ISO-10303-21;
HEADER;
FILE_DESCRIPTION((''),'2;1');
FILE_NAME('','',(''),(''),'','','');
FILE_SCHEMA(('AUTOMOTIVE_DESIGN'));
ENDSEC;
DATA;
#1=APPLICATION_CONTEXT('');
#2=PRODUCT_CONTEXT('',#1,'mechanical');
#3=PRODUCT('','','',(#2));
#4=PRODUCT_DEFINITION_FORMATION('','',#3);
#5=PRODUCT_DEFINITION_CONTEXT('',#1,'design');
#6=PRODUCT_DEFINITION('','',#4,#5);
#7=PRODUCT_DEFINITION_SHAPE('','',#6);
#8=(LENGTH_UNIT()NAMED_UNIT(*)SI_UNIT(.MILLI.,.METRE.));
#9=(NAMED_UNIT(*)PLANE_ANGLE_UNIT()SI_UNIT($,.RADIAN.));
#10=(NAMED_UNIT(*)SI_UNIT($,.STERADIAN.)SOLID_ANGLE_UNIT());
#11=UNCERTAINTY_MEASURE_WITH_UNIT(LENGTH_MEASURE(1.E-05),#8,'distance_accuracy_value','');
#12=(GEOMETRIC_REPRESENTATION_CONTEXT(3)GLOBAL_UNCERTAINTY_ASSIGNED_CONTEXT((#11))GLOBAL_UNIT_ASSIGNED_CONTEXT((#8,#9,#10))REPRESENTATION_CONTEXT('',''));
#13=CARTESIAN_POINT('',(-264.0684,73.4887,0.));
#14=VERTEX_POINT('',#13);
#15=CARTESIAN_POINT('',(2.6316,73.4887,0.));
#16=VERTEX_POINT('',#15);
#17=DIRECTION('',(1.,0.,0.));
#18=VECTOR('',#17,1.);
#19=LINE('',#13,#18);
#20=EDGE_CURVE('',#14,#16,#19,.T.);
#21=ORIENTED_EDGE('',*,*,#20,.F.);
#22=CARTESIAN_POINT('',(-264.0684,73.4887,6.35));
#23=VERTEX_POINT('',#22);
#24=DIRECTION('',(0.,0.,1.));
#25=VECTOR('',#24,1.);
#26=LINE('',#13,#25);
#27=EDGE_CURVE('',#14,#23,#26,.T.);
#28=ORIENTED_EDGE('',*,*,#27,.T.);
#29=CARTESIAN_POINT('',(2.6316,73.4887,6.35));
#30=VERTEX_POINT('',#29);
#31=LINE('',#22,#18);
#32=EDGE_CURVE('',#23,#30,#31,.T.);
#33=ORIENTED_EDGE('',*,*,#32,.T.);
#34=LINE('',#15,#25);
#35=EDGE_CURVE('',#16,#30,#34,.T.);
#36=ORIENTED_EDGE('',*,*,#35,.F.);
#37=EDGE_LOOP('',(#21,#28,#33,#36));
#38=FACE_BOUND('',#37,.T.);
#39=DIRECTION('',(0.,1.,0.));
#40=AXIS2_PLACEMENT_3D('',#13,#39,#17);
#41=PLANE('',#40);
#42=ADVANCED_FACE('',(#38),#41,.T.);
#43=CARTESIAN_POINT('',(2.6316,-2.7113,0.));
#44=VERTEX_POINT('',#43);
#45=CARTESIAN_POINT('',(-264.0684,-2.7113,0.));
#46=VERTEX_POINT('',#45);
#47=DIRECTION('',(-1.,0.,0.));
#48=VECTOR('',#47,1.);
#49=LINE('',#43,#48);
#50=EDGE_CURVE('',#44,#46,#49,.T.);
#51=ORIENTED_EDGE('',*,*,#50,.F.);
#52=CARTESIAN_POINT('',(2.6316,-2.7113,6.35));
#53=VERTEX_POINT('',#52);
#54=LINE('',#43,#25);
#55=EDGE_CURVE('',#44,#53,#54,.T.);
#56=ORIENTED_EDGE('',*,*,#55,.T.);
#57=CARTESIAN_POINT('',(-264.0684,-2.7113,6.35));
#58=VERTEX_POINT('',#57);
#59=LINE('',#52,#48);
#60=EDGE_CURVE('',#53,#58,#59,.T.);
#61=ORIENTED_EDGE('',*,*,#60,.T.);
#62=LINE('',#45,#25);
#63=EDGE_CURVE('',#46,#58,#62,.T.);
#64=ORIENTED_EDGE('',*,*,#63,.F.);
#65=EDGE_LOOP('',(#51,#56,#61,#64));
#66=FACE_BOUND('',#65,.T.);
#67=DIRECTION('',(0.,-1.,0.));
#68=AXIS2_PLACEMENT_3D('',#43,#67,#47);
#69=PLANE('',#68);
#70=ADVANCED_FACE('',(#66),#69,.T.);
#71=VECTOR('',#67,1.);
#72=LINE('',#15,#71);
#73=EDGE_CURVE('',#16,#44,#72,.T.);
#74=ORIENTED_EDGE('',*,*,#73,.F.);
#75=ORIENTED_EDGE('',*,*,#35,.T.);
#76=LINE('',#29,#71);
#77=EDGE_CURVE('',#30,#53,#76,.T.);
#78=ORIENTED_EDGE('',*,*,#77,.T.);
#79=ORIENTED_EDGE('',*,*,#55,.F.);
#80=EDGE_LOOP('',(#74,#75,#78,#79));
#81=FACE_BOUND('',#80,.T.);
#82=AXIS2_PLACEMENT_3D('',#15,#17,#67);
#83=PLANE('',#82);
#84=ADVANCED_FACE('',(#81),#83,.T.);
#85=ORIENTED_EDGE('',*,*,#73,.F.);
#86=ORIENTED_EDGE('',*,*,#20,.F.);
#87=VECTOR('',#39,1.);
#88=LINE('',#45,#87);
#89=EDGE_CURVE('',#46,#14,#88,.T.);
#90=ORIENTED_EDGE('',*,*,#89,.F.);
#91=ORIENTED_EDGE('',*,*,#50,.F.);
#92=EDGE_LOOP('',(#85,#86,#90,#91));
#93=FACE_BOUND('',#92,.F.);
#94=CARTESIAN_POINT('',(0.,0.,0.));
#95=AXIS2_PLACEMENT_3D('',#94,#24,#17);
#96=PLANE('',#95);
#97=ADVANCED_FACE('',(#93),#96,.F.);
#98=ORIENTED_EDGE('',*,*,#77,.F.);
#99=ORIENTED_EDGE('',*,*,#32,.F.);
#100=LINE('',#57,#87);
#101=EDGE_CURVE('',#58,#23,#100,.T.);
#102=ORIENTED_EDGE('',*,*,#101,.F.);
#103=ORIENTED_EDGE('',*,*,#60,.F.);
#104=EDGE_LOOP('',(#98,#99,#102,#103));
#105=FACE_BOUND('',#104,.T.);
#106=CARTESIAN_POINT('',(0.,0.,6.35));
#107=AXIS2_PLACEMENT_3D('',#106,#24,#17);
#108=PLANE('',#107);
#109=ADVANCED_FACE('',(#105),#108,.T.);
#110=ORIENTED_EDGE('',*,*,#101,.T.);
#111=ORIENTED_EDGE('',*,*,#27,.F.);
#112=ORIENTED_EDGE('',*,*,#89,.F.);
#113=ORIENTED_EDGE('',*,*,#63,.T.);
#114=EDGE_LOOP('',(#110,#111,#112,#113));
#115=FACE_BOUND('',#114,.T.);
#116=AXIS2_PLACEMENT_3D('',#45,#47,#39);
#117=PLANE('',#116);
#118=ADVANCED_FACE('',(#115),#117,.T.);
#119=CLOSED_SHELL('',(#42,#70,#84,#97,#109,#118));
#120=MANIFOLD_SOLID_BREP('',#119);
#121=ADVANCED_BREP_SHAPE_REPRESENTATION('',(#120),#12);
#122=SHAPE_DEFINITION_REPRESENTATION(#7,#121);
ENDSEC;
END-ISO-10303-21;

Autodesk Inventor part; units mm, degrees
ref_plane "YZ Plane" through (0, 0, 0) normal (1, 0, 0) x (0, 1, 0)
ref_plane "XZ Plane" through (0, 0, 0) normal (0, 1, 0) x (-1, 0, 0)
ref_plane "XY Plane" through (0, 0, 0) normal (0, 0, 1) x (1, 0, 0)
sketch "Sketch1" plane through (0, 0, 0) normal (0, 0, 1) x (1, 0, 0)
  line L0 (-264.0684, 73.4887) -> (2.6316, 73.4887)
  line L1 (2.6316, 73.4887) -> (2.6316, -2.7113)
  line L2 (2.6316, -2.7113) -> (-264.0684, -2.7113)
  line L3 (-264.0684, -2.7113) -> (-264.0684, 73.4887)
  dimension "d0" = 76.2
  dimension "d1" = 266.7
extrude "Extrusion1" add sketch "Sketch1" along normal blind 6.35
properties part number "FE-00013-06"
